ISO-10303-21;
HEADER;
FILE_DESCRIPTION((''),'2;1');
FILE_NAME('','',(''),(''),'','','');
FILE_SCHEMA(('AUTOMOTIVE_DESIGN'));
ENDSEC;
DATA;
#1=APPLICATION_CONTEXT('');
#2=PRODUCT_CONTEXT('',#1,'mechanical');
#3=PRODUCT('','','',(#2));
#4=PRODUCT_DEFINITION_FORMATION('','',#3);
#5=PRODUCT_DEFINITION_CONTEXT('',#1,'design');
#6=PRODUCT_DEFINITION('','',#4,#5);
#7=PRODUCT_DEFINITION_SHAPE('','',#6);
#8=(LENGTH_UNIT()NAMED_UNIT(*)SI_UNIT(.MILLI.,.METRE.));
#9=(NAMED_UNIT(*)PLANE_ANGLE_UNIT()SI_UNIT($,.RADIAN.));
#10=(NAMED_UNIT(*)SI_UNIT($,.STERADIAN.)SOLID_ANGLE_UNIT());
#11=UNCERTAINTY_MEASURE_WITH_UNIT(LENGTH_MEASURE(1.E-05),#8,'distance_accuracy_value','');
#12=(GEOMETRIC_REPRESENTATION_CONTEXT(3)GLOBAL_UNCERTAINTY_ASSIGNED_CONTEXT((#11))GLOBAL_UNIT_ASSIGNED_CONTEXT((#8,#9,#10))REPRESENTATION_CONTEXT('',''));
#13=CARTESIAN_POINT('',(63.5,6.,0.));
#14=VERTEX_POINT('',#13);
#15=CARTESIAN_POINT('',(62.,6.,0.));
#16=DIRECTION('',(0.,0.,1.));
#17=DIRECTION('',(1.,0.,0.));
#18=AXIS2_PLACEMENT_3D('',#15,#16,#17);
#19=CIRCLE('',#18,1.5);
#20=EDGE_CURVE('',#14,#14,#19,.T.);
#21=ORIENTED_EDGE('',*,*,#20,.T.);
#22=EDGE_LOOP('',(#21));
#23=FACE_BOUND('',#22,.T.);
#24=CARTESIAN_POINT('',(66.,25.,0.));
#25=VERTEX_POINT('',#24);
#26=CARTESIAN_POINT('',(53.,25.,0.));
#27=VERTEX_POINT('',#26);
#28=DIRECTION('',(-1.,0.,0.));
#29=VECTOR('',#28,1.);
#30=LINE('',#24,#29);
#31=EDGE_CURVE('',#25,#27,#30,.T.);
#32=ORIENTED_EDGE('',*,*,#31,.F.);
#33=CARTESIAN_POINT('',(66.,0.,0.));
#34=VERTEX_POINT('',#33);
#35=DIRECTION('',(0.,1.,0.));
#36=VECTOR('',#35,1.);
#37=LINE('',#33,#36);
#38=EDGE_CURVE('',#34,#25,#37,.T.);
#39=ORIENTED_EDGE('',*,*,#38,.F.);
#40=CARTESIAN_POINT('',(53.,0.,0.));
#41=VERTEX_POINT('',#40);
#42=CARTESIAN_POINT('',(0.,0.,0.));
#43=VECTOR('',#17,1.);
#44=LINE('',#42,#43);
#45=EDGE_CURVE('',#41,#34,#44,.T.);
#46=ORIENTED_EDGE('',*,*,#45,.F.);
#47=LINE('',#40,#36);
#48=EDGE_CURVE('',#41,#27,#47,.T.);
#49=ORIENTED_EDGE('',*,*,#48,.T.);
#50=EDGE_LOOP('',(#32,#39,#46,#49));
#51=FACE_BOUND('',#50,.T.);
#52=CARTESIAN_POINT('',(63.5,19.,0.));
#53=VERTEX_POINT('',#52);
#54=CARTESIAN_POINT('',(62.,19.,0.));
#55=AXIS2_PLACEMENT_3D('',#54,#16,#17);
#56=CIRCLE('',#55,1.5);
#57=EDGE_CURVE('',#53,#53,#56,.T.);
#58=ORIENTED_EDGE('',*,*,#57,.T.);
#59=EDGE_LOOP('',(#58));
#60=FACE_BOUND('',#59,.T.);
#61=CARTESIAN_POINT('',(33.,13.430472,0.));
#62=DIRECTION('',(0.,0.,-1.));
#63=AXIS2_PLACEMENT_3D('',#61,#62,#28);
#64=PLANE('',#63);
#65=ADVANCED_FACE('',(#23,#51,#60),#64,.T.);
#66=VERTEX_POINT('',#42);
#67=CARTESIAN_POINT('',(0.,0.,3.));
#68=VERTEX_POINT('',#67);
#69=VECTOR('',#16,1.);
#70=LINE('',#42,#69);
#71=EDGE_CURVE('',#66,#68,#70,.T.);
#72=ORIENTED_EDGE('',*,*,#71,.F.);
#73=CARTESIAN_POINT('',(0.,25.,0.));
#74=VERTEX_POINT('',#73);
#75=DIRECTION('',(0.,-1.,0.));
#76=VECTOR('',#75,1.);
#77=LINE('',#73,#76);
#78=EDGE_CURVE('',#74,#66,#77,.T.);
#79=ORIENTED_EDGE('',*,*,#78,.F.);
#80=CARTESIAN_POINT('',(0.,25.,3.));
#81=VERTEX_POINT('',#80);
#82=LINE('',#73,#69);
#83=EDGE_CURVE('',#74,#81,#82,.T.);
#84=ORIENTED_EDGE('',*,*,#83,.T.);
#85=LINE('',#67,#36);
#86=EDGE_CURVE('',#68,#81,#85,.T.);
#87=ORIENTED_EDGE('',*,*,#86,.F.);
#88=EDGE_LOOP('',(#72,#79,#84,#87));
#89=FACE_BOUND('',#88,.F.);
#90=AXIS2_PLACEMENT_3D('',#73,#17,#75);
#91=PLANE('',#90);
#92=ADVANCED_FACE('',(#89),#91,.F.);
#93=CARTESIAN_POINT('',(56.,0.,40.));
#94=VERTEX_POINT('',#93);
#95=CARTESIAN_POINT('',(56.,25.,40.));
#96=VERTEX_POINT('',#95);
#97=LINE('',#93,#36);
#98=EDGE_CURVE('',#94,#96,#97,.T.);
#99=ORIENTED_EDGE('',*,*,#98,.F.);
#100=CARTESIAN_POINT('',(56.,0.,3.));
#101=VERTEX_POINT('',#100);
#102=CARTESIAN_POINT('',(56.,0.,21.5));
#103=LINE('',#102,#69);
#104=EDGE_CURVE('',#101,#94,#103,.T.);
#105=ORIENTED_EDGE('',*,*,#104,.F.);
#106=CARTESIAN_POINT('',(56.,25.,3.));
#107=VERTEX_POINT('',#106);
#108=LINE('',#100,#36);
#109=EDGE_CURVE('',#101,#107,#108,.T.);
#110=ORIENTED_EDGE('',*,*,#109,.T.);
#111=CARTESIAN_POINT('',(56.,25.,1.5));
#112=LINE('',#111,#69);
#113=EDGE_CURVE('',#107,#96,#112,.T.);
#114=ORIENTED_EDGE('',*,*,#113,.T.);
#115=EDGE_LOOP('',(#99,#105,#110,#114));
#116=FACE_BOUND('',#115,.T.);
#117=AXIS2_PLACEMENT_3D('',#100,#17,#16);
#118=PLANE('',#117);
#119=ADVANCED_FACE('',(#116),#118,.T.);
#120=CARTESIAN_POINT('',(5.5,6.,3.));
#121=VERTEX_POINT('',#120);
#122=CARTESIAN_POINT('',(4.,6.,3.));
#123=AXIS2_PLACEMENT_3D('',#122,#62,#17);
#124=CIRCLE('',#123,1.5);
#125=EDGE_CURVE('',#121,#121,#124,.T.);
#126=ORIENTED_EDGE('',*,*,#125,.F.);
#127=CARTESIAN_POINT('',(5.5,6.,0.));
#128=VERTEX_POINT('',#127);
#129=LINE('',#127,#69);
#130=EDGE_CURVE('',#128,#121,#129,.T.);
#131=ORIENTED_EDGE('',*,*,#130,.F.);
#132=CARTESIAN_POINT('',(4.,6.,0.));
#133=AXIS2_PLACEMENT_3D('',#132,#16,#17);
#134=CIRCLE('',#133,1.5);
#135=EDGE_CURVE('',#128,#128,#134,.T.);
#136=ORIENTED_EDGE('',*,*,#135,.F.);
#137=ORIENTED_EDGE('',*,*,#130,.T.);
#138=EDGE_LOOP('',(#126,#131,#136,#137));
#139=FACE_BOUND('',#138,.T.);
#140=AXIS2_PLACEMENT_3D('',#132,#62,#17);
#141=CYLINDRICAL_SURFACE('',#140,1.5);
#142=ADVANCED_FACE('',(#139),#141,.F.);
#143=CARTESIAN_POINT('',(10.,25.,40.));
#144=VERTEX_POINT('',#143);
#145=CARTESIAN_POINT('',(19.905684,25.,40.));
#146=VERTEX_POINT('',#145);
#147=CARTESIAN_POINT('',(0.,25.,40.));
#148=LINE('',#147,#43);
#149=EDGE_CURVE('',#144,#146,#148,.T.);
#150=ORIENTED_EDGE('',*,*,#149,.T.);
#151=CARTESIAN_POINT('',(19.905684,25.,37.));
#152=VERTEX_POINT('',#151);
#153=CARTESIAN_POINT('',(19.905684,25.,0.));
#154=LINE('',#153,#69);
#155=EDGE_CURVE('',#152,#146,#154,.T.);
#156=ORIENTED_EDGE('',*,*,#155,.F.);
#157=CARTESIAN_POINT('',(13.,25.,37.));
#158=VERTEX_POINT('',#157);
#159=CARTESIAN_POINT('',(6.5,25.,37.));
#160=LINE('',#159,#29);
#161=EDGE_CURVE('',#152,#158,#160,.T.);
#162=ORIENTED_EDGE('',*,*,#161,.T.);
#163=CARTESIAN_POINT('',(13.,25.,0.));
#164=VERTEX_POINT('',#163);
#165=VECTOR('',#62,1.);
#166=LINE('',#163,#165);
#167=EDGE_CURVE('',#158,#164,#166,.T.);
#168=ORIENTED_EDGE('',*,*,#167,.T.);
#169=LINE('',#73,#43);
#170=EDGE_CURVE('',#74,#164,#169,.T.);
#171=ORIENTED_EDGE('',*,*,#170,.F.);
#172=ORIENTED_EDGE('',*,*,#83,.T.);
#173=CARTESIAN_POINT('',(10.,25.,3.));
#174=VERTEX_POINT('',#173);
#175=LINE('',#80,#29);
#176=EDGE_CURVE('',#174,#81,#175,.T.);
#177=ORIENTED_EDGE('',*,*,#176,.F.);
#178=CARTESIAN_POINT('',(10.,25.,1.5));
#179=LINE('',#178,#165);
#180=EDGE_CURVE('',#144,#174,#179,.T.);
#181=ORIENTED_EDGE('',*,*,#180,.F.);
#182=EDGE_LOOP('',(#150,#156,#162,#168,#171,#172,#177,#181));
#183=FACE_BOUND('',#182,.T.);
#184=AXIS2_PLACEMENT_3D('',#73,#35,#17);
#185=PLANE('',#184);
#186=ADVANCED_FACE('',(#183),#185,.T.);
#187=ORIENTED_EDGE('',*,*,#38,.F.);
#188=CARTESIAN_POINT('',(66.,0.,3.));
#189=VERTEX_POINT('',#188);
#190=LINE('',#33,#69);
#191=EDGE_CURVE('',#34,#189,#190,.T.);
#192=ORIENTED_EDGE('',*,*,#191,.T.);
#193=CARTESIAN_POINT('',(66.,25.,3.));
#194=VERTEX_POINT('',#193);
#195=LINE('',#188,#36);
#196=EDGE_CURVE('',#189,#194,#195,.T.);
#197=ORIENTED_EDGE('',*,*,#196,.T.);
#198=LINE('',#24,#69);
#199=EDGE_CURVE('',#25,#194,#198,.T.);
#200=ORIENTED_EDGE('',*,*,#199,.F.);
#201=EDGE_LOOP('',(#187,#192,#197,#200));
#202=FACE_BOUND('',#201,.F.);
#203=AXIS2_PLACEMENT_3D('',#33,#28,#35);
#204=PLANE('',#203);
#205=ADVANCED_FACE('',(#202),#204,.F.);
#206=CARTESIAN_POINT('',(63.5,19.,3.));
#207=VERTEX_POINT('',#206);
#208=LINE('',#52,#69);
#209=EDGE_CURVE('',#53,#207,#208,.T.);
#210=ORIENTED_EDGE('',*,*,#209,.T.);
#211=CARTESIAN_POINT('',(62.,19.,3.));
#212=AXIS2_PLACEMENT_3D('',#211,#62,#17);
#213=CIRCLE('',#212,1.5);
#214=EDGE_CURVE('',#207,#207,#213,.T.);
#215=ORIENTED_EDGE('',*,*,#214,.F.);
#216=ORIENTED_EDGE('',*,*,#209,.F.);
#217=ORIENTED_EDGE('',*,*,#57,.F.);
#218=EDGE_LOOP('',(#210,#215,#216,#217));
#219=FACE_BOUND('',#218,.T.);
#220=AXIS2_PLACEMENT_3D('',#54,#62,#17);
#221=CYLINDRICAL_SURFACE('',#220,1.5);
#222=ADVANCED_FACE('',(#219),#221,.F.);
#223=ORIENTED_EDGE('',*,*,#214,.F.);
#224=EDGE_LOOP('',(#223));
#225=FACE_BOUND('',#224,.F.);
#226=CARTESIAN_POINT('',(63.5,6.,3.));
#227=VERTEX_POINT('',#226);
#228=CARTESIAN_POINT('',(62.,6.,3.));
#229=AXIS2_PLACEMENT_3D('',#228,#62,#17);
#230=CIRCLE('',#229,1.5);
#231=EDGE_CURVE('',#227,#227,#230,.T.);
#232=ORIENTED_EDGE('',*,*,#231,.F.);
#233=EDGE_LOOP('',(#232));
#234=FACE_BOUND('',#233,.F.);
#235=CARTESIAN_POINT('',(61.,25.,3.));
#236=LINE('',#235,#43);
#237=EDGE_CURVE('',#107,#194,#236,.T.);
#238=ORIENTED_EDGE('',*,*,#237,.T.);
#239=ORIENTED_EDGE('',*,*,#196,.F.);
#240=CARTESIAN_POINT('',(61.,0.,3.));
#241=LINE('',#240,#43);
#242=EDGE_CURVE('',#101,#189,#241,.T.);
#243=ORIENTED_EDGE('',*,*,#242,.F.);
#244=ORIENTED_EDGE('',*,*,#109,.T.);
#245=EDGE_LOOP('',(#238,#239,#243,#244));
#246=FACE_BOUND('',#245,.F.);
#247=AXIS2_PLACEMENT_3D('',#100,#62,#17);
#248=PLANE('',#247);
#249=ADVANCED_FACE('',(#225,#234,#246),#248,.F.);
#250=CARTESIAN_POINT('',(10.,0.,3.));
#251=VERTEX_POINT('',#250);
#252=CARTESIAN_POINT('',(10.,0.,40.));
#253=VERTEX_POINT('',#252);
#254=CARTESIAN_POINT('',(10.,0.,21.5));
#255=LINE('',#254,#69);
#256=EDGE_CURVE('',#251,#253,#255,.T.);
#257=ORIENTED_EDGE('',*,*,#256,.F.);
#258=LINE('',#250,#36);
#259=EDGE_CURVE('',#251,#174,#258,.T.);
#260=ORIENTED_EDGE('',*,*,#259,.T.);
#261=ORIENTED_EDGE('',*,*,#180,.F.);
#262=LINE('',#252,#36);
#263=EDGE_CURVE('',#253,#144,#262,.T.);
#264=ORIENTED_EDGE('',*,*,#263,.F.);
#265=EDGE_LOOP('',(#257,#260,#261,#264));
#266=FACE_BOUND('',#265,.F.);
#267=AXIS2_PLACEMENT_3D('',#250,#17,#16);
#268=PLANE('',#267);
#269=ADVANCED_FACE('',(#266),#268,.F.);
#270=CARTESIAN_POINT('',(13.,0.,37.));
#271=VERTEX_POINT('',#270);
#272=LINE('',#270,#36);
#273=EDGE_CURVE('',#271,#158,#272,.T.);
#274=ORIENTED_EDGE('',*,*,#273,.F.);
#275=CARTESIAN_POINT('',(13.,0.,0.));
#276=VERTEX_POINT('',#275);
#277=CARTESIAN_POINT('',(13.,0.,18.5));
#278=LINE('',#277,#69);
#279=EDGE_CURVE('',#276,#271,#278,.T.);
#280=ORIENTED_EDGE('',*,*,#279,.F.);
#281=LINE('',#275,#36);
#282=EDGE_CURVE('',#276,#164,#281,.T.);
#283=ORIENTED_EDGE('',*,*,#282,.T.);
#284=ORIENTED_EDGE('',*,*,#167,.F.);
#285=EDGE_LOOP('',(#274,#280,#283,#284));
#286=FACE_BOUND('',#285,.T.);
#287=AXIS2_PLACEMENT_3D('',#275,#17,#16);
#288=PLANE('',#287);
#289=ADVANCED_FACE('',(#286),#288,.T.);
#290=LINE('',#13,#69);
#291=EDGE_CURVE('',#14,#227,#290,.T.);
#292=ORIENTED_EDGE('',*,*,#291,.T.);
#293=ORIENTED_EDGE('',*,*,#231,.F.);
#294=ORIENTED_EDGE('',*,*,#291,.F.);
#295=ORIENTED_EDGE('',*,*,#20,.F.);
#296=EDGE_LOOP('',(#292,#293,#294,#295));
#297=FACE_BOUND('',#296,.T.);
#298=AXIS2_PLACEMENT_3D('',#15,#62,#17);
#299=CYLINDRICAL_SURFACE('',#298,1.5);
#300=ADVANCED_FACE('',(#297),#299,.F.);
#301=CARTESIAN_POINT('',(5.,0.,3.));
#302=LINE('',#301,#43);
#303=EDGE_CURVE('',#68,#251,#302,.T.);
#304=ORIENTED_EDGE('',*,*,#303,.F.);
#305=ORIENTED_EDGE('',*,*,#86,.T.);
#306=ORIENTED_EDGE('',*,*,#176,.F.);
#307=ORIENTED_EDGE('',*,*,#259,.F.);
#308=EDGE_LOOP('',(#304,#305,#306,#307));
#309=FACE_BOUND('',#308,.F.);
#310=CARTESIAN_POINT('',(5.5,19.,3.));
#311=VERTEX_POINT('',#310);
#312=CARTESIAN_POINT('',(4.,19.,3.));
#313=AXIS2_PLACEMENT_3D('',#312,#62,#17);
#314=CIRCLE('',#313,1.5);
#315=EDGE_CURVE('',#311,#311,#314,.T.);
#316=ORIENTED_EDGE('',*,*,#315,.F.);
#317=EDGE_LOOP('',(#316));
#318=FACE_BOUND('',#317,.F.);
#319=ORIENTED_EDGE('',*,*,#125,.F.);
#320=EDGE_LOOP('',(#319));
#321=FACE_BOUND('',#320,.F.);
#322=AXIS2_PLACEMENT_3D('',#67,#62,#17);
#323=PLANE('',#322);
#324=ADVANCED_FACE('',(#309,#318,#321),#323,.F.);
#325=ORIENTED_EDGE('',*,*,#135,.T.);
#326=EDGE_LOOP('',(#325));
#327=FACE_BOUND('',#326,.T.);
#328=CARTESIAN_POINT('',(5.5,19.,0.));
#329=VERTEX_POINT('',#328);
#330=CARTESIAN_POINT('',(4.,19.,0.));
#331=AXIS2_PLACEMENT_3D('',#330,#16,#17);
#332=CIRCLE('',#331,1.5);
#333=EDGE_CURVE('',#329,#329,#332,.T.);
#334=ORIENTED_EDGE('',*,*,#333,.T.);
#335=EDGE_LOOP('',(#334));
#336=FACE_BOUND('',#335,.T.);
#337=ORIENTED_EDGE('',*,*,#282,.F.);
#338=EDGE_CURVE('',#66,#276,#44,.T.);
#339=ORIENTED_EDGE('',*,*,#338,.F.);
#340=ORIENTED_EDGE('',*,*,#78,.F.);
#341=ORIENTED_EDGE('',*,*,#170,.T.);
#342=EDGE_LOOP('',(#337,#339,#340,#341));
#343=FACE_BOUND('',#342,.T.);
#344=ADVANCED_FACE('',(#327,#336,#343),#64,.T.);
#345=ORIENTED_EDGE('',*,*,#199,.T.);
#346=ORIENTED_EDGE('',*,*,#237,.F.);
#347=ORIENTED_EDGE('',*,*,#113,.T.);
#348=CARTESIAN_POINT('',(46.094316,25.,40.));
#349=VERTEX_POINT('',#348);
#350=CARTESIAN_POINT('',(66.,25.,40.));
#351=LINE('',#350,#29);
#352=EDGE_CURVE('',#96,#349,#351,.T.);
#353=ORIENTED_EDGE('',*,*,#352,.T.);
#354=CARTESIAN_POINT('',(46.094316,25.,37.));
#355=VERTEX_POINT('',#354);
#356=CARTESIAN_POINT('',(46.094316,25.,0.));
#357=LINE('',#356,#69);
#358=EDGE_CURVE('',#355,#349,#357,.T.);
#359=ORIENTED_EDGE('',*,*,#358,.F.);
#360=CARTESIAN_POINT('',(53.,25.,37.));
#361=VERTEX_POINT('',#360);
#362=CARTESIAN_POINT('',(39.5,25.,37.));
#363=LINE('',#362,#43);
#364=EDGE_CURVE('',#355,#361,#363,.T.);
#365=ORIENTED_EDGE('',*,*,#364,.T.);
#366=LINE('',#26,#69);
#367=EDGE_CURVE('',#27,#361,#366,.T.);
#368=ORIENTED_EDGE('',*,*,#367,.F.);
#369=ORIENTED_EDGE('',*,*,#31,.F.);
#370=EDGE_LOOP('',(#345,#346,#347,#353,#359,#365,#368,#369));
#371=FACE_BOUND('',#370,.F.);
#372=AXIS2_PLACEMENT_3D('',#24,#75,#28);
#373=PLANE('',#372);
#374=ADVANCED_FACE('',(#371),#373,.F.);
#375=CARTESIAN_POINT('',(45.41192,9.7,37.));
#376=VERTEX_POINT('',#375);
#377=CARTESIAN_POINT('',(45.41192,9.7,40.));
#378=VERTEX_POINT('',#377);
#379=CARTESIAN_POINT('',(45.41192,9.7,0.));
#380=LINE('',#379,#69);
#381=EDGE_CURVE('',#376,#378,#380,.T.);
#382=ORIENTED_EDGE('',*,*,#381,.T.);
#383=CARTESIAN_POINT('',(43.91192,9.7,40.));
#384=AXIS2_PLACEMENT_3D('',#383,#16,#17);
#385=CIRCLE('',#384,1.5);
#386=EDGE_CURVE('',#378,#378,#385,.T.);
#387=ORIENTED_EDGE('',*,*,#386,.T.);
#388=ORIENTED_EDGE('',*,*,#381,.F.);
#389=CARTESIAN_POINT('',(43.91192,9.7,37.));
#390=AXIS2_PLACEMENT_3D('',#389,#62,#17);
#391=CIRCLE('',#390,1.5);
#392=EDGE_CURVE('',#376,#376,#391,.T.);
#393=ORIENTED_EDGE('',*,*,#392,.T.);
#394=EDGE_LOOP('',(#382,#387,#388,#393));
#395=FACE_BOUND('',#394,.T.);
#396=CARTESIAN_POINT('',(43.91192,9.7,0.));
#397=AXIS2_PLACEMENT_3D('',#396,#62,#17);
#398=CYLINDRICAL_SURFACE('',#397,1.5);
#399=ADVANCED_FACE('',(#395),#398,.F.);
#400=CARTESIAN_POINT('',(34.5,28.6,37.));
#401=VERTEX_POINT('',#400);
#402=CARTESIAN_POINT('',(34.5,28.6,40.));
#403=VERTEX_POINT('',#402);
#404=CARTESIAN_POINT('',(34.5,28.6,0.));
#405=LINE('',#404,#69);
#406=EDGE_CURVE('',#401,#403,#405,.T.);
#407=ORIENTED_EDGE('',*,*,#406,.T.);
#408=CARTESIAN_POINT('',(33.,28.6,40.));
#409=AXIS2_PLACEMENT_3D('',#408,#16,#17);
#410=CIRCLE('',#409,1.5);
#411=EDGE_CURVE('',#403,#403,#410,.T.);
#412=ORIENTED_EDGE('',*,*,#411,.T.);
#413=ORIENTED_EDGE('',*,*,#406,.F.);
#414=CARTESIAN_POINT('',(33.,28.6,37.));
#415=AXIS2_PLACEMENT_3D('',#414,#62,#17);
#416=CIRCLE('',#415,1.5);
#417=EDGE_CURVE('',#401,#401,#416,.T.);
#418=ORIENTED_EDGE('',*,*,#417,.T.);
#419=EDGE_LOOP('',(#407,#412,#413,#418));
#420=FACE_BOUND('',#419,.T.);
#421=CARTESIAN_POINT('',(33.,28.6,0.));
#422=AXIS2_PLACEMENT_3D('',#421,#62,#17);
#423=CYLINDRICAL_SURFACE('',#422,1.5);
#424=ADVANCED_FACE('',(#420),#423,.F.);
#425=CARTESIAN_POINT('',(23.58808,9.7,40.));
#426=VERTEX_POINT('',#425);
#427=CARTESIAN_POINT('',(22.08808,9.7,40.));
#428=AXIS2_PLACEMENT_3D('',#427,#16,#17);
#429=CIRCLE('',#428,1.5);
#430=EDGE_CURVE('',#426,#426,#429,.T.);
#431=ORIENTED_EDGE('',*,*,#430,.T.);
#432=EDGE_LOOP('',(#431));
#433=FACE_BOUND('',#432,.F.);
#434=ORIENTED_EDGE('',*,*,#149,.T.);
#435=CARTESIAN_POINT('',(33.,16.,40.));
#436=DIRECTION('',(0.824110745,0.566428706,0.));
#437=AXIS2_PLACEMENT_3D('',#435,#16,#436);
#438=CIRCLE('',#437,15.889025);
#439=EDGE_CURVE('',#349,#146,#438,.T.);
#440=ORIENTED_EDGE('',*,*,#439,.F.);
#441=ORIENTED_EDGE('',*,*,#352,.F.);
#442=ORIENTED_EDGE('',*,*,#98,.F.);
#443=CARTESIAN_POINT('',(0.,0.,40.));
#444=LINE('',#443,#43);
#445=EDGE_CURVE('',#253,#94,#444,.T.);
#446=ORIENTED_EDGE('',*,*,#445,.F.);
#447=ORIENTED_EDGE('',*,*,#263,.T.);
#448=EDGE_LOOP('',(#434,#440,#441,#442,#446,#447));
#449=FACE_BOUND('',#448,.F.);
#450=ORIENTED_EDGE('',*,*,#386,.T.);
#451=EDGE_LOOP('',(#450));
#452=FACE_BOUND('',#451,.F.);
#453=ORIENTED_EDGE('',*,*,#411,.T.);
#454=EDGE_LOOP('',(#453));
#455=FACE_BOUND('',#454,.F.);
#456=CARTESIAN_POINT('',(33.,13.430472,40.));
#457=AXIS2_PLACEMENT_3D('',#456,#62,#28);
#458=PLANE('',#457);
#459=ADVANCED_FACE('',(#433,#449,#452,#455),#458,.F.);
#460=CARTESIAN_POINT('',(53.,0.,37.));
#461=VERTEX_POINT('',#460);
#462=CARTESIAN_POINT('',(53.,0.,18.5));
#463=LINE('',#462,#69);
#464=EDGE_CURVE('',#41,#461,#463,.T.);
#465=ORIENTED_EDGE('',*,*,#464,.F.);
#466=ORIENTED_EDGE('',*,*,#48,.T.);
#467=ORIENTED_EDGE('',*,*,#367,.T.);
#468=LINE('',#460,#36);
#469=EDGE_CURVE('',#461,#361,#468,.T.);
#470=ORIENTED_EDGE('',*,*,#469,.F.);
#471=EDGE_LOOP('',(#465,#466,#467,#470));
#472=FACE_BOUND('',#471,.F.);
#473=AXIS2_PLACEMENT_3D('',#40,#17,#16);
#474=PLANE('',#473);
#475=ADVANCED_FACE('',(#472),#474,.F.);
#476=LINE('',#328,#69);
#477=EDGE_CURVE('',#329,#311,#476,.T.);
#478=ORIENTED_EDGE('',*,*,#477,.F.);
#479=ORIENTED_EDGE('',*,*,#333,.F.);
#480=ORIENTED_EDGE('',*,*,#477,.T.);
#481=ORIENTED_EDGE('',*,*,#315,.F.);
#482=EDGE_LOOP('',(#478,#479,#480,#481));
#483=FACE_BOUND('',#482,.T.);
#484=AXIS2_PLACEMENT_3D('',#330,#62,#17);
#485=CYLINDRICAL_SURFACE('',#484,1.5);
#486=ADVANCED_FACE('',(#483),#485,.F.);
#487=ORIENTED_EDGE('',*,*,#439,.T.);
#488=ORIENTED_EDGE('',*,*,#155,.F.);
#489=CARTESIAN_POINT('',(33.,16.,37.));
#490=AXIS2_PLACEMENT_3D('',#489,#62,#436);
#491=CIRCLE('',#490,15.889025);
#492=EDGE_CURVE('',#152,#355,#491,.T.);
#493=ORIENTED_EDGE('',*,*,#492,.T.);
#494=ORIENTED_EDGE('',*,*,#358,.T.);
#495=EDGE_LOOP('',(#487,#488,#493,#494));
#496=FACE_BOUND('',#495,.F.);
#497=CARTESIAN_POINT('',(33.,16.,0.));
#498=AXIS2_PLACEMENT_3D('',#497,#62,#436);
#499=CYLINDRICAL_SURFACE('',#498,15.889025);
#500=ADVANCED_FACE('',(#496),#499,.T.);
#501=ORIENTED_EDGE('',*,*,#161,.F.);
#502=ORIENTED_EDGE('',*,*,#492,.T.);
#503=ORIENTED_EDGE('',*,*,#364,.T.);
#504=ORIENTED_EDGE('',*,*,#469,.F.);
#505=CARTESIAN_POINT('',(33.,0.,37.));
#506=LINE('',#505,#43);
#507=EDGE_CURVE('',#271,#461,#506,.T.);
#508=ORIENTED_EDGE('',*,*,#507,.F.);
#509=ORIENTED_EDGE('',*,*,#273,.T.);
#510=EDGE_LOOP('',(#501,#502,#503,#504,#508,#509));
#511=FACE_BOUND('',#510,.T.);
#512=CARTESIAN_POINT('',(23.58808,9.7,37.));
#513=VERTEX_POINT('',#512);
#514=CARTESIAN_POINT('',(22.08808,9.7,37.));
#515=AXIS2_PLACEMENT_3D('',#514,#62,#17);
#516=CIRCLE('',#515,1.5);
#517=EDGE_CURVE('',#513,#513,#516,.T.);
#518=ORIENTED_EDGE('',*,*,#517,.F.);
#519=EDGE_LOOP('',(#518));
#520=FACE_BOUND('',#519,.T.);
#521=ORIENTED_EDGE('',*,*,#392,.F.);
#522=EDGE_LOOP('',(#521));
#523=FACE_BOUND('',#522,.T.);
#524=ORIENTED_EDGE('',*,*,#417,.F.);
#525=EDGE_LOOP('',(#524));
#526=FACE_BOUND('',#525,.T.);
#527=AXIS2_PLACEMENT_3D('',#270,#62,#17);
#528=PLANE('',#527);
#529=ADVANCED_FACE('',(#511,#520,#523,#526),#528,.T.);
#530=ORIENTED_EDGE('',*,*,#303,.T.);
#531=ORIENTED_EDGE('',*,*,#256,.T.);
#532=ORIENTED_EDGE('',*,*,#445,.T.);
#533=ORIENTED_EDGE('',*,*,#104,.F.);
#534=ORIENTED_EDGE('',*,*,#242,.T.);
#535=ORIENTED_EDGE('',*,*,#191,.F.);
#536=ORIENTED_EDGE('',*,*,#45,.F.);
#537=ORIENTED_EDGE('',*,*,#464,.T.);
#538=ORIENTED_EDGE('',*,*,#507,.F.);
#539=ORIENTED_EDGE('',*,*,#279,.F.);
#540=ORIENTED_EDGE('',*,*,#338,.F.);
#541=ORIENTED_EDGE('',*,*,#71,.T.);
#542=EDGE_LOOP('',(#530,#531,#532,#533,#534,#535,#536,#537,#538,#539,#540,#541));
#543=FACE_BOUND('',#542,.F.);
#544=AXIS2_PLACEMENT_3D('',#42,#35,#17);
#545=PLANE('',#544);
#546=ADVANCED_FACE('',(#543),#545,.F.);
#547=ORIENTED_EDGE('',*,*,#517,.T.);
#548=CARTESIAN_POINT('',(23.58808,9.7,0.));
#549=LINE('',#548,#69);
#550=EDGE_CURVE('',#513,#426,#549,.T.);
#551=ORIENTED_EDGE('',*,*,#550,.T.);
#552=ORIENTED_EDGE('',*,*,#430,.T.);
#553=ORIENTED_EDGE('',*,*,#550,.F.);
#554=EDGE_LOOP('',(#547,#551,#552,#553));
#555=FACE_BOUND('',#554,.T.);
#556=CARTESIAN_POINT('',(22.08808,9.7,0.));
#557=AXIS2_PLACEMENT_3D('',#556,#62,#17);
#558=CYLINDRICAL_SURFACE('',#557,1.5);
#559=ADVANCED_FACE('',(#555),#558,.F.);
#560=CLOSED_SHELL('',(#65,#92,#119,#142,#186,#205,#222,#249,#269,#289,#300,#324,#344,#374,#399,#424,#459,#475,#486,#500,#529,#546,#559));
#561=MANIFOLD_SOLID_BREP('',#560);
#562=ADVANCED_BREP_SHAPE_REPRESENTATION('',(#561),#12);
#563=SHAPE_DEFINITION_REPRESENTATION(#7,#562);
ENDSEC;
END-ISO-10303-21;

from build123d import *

# Parameters (mm, degrees)
SKETCH_R      = 1.5
PAD_DEPTH     = 40
SKETCH001_W   = 10
SKETCH001_H   = 37
SKETCH001_W_2 = 40
POCKET_DEPTH  = 31.890025


with BuildPart() as part:
    # Sketch → Pad (new body)
    with BuildSketch(Plane.XY):
        with BuildLine():
            Line((0, 25), (19.905684, 25))
            ThreePointArc((46.094316, 25), (33, 31.889025), (19.905684, 25))
            Line((66, 25), (46.094316, 25))
            Line((66, 0), (66, 25))
            Line((0, 0), (66, 0))
            Line((0, 25), (0, 0))
        make_face()
        with Locations((33, 28.6)):
            Circle(SKETCH_R, mode=Mode.SUBTRACT)
        with Locations((43.91192, 9.7)):
            Circle(SKETCH_R, mode=Mode.SUBTRACT)
        with Locations((22.08808, 9.7)):
            Circle(SKETCH_R, mode=Mode.SUBTRACT)
        with Locations((4, 19)):
            Circle(SKETCH_R, mode=Mode.SUBTRACT)
        with Locations((4, 6)):
            Circle(SKETCH_R, mode=Mode.SUBTRACT)
        with Locations((62, 19)):
            Circle(SKETCH_R, mode=Mode.SUBTRACT)
        with Locations((62, 6)):
            Circle(SKETCH_R, mode=Mode.SUBTRACT)
    extrude(amount=PAD_DEPTH)

    # Sketch001 → Pocket (cut, through all)
    with BuildSketch(Plane.XZ):
        with Locations((5, 21.5)):
            Rectangle(SKETCH001_W, SKETCH001_H)
        with Locations((33, 18.5)):
            Rectangle(SKETCH001_W_2, SKETCH001_H)
        with Locations((61, 21.5)):
            Rectangle(SKETCH001_W, SKETCH001_H)
    extrude(amount=-POCKET_DEPTH, mode=Mode.SUBTRACT)


solid = part.part
